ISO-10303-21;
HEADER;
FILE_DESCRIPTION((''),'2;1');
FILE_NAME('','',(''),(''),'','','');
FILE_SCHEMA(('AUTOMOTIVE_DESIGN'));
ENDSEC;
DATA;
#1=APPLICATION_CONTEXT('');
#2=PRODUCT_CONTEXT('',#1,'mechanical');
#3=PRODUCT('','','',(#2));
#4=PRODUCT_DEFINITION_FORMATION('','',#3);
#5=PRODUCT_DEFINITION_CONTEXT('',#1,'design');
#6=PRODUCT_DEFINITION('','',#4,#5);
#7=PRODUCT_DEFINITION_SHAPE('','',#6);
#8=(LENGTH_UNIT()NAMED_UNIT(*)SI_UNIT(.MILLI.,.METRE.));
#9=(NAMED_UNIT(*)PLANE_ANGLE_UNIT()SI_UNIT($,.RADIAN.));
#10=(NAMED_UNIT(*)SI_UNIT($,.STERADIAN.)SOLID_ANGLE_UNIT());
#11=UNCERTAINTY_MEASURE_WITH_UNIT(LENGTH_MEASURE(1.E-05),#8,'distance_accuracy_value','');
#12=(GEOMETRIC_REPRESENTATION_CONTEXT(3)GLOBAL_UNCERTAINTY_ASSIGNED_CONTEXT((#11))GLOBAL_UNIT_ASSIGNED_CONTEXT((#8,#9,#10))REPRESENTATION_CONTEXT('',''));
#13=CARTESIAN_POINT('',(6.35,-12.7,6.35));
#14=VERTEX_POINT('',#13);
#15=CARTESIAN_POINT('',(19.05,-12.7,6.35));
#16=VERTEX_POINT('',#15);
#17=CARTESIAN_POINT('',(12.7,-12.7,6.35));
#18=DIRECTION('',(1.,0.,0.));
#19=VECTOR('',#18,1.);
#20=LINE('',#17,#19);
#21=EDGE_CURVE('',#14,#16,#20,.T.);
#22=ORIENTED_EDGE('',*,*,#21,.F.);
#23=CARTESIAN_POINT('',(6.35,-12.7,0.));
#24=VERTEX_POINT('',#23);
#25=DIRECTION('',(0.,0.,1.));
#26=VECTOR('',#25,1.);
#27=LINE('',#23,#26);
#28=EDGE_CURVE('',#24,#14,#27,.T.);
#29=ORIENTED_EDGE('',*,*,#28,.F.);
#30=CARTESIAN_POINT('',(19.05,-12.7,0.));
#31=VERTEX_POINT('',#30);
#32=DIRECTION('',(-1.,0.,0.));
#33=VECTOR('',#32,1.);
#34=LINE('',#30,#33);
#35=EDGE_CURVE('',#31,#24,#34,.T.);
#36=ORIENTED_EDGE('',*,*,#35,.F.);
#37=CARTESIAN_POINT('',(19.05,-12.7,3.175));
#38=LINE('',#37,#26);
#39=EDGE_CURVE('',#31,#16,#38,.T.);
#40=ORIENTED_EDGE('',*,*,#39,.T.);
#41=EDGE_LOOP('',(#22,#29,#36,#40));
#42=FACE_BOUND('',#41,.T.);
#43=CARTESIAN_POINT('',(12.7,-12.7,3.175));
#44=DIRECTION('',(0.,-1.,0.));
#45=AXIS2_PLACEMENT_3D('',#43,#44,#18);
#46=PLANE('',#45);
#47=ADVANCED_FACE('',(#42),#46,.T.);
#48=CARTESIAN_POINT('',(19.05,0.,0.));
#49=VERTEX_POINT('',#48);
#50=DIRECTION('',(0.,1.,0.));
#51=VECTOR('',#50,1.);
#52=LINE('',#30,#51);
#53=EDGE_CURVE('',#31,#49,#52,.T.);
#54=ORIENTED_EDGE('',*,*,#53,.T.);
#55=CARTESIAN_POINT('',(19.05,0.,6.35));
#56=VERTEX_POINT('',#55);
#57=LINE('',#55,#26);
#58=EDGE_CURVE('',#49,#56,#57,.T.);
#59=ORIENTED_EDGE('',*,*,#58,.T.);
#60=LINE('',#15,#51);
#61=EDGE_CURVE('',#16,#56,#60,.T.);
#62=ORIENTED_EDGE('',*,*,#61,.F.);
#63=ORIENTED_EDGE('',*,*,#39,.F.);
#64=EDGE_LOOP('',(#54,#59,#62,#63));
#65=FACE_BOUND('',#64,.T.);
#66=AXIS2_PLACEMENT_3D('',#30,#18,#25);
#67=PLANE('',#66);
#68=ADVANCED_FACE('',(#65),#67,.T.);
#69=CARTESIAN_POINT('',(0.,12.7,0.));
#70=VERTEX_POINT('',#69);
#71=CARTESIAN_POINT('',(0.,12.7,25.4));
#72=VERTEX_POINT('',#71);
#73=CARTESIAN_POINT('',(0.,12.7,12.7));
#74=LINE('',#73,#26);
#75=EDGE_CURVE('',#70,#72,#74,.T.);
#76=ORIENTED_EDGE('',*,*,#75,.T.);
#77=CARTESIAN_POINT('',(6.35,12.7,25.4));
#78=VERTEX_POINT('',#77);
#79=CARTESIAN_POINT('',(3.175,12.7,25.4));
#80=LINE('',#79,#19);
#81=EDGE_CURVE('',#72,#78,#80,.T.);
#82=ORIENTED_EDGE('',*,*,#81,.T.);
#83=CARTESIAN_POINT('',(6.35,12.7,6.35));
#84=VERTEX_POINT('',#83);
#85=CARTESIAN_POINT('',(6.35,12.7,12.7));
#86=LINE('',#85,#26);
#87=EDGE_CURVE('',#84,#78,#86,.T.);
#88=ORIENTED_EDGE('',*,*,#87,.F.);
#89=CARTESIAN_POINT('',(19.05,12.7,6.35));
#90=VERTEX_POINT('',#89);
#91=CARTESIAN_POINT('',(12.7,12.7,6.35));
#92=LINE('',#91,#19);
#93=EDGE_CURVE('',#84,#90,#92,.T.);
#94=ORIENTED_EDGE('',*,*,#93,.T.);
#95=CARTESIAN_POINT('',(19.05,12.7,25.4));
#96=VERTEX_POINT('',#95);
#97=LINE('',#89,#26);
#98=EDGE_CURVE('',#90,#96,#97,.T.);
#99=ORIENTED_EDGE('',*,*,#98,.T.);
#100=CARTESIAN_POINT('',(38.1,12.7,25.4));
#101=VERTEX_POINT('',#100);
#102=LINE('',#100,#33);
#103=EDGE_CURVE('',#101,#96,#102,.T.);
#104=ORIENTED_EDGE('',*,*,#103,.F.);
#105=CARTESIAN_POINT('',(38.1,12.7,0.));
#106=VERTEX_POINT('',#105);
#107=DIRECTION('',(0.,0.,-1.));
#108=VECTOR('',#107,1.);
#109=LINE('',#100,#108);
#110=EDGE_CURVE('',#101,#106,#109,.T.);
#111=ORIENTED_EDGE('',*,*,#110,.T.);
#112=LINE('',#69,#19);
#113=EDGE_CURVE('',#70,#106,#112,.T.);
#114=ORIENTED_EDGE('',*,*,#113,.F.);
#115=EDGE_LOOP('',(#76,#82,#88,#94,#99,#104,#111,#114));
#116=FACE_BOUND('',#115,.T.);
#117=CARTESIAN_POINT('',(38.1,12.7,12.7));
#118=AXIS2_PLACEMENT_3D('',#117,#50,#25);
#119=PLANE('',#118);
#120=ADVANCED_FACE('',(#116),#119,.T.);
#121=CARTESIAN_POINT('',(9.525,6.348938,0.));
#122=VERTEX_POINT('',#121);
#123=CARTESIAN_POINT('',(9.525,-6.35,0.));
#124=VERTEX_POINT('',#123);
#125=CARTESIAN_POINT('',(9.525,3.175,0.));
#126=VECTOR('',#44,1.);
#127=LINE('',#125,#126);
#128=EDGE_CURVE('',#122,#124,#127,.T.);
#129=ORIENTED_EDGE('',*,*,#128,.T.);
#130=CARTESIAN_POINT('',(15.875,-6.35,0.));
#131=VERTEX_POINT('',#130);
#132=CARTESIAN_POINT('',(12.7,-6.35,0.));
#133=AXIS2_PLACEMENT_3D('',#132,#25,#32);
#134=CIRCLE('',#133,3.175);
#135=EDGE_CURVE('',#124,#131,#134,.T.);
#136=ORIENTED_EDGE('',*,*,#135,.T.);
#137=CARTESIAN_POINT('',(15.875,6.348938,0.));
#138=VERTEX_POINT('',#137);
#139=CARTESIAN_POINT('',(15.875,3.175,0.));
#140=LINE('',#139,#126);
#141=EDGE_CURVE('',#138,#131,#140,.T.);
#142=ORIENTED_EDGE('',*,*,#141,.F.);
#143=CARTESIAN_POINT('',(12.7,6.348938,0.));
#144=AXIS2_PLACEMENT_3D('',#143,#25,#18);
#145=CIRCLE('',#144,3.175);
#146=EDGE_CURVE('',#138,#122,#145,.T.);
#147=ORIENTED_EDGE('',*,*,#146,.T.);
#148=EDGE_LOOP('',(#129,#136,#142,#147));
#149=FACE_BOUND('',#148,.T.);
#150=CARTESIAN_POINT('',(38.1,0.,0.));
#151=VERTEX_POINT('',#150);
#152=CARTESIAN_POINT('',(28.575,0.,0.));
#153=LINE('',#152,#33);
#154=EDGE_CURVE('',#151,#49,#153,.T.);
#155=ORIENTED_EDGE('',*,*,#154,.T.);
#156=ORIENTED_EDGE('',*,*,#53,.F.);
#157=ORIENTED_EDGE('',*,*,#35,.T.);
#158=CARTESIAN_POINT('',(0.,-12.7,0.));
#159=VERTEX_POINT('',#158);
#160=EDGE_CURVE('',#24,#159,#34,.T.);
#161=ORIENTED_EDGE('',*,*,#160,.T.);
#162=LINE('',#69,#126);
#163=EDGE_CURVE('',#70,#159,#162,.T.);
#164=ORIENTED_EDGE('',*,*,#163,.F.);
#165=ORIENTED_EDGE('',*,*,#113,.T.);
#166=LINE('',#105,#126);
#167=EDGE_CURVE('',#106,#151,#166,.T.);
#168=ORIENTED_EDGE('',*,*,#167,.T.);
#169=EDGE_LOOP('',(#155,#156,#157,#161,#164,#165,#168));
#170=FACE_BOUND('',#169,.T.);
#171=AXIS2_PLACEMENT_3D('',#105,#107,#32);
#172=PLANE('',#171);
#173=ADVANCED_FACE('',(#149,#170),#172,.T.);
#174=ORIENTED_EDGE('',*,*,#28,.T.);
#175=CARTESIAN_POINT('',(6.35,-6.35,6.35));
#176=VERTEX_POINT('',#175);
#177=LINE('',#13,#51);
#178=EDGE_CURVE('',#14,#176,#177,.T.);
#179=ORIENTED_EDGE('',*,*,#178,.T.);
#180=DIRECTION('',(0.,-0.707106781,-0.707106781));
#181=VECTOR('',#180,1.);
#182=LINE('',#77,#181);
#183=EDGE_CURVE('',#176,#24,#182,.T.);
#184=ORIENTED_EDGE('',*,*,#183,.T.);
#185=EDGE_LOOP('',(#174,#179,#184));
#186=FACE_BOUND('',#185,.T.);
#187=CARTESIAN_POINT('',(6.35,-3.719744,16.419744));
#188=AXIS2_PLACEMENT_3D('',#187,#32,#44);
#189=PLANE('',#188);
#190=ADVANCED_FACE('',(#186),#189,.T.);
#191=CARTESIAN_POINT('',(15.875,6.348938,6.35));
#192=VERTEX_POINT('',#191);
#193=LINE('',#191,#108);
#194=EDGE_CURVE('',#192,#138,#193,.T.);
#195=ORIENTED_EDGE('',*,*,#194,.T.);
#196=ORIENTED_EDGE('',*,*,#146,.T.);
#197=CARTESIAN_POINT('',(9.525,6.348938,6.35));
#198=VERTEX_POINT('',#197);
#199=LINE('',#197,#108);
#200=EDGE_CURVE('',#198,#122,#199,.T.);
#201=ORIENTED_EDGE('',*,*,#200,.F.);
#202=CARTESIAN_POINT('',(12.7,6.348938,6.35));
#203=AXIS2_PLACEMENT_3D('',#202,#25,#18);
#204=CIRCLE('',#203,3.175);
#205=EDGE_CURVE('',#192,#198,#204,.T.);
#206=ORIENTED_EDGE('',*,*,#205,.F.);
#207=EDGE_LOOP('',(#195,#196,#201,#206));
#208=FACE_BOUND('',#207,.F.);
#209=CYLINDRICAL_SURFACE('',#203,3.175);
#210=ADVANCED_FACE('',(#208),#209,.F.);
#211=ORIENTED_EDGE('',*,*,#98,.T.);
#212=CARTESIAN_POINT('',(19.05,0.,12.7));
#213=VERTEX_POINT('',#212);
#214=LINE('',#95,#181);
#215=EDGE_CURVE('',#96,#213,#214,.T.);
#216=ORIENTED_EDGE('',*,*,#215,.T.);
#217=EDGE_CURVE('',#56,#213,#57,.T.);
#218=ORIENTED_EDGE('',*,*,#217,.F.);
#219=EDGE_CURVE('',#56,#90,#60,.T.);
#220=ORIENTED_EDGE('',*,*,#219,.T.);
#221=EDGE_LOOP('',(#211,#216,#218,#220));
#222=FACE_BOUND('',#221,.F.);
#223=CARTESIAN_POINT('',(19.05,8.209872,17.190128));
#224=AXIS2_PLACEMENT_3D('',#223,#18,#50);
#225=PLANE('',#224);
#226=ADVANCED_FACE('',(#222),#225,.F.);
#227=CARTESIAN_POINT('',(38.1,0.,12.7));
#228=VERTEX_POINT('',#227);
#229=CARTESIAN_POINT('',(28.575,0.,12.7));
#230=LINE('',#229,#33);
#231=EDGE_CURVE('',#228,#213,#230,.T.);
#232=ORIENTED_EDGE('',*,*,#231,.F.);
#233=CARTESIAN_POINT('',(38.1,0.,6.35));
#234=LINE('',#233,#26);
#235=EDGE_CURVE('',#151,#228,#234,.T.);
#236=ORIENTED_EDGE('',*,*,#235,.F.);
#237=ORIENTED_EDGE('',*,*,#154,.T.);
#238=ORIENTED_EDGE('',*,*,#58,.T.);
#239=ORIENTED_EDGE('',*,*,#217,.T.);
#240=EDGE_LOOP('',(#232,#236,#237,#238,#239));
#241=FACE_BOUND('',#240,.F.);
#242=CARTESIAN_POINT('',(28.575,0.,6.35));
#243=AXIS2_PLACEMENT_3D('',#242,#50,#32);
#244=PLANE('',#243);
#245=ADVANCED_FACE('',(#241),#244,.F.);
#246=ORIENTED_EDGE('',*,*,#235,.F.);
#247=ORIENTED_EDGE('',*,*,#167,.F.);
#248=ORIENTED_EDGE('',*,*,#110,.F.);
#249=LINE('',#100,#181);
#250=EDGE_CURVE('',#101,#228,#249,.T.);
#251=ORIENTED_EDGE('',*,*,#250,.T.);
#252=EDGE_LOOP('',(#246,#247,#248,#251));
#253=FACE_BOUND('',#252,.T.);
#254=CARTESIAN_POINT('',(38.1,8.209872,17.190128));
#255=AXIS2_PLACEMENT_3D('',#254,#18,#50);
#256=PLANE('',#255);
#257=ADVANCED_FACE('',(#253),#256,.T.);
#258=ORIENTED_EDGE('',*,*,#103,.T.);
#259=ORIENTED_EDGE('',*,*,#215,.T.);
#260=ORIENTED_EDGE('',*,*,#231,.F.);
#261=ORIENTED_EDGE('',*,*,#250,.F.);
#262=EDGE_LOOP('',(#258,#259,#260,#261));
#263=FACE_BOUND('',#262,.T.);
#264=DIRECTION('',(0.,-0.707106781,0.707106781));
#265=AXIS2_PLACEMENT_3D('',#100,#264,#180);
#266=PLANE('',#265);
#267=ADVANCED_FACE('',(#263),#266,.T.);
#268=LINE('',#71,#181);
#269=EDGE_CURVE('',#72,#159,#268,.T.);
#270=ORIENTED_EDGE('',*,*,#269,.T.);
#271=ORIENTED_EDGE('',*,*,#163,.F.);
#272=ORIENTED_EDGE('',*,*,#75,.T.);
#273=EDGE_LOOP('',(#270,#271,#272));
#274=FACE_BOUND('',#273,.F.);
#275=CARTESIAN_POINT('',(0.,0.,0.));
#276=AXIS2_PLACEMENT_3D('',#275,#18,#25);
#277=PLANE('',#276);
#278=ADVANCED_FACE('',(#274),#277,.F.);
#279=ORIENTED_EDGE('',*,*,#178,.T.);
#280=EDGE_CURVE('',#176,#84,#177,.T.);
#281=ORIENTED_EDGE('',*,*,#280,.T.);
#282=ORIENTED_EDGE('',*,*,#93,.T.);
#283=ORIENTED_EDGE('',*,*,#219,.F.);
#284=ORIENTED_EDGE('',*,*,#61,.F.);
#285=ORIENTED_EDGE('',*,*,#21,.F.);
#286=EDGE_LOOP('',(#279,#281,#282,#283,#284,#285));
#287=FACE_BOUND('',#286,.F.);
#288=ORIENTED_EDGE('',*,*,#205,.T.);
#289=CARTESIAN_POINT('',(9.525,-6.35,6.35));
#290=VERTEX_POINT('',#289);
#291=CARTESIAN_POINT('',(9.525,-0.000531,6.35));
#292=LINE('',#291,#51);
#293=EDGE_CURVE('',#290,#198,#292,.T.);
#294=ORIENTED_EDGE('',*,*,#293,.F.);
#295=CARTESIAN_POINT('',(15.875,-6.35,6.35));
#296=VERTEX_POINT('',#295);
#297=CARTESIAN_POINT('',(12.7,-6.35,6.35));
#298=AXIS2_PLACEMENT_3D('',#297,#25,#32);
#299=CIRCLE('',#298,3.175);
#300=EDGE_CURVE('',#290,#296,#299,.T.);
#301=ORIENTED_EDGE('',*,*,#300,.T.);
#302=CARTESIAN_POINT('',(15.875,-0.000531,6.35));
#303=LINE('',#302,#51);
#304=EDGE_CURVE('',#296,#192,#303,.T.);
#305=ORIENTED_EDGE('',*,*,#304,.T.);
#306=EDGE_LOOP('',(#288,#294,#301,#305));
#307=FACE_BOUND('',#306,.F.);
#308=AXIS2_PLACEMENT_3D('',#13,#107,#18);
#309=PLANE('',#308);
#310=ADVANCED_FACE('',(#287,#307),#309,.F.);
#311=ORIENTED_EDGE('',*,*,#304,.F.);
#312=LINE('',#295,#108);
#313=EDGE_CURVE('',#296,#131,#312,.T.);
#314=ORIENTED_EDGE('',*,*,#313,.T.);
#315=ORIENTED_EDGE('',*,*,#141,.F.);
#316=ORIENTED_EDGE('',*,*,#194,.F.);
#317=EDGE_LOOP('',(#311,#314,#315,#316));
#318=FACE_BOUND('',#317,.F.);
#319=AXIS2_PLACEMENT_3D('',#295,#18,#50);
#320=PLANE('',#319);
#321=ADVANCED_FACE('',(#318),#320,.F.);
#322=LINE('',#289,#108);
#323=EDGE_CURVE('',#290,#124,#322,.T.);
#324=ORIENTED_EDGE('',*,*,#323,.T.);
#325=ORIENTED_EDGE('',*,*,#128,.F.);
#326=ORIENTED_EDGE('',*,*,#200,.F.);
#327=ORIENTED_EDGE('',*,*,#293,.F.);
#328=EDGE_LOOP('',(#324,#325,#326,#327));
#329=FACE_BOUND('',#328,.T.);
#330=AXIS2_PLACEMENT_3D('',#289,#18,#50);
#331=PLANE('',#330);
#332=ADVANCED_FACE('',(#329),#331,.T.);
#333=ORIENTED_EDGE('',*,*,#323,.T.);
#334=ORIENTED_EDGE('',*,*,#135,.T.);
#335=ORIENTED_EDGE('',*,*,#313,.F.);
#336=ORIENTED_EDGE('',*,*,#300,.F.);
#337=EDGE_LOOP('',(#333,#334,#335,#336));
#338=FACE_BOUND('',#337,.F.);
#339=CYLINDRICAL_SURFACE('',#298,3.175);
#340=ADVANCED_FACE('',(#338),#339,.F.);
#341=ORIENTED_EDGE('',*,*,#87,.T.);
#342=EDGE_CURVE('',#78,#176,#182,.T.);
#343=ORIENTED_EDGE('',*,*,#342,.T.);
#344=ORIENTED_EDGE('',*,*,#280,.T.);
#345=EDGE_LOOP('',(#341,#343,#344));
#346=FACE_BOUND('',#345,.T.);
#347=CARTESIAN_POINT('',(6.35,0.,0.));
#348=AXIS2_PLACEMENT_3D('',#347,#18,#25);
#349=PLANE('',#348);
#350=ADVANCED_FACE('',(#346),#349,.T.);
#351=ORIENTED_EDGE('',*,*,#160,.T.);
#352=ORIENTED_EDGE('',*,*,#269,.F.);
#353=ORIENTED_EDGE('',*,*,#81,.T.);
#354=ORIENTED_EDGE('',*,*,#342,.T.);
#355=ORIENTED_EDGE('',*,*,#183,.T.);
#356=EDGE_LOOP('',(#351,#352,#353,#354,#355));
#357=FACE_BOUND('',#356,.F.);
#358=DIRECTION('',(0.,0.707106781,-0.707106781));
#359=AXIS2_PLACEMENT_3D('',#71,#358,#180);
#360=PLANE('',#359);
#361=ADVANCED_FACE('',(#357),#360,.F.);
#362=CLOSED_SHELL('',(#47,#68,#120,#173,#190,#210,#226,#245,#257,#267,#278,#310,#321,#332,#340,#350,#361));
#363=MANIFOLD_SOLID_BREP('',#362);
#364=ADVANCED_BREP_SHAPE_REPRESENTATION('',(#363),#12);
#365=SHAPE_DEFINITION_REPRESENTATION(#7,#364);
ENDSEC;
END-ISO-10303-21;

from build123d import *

# Parameters (mm, degrees)
F0_W      = 6.35
F0_H      = 25.4
F1_DEPTH  = 12.7
F2_W      = 12.7
F2_H      = 6.35
F3_DEPTH  = 25.4
F4_W      = 19.05
F4_H      = 12.7
F5_DEPTH  = 12.7
F7_DEPTH  = 19.05
F9_DEPTH  = 6.35
F10_W     = 6.35
F10_H     = 12.698938
F11_DEPTH = 25.4


with BuildPart() as f1:
    # F0 (on Front) → F1 (new body, symmetric)
    with BuildSketch(Plane.XZ):
        with Locations((3.175, 12.7)):
            Rectangle(F0_W, F0_H)
    extrude(amount=F1_DEPTH, both=True)

    # F2 (on face) → F3 (join)
    with BuildSketch(Plane.XZ.offset(12.7)):
        with Locations((12.7, 3.175)):
            Rectangle(F2_W, F2_H)
    extrude(amount=-F3_DEPTH)

    # F4 (on face) → F5 (join)
    with BuildSketch(Plane(origin=(0, 12.7, 0), x_dir=(-1, 0, 0), z_dir=(0, 1, 0))):
        with Locations((-28.575, 6.35)):
            Rectangle(F4_W, F4_H)
    extrude(amount=-F5_DEPTH)

    # F6 (on face) → F7 (join)
    with BuildSketch(Plane.YZ.offset(38.1)):
        Polygon((0, 12.7), (12.7, 12.7), (12.7, 25.4), align=None)
    extrude(amount=-F7_DEPTH)

    # F8 (on face) → F9 (cut)
    with BuildSketch(Plane(origin=(0, 0, 0), x_dir=(0, -1, 0), z_dir=(-1, 0, 0))):
        Polygon((-12.7, 25.4), (12.7, 0), (12.7, 25.4), align=None)
    extrude(amount=-F9_DEPTH, mode=Mode.SUBTRACT)

    # F10 (on face) → F11 (cut)
    with BuildSketch(Plane.XY.offset(6.35)):
        with Locations((12.7, -0.000531)):
            Rectangle(F10_W, F10_H)
        with BuildLine():
            ThreePointArc((15.875, 6.348938), (12.7, 9.523938), (9.525, 6.348938))
            Line((9.525, 6.348938), (15.875, 6.348938))
        make_face()
        with BuildLine():
            Line((15.875, -6.35), (9.525, -6.35))
            ThreePointArc((9.525, -6.35), (12.7, -9.525), (15.875, -6.35))
        make_face()
    extrude(amount=-F11_DEPTH, mode=Mode.SUBTRACT)


solid = f1.part
